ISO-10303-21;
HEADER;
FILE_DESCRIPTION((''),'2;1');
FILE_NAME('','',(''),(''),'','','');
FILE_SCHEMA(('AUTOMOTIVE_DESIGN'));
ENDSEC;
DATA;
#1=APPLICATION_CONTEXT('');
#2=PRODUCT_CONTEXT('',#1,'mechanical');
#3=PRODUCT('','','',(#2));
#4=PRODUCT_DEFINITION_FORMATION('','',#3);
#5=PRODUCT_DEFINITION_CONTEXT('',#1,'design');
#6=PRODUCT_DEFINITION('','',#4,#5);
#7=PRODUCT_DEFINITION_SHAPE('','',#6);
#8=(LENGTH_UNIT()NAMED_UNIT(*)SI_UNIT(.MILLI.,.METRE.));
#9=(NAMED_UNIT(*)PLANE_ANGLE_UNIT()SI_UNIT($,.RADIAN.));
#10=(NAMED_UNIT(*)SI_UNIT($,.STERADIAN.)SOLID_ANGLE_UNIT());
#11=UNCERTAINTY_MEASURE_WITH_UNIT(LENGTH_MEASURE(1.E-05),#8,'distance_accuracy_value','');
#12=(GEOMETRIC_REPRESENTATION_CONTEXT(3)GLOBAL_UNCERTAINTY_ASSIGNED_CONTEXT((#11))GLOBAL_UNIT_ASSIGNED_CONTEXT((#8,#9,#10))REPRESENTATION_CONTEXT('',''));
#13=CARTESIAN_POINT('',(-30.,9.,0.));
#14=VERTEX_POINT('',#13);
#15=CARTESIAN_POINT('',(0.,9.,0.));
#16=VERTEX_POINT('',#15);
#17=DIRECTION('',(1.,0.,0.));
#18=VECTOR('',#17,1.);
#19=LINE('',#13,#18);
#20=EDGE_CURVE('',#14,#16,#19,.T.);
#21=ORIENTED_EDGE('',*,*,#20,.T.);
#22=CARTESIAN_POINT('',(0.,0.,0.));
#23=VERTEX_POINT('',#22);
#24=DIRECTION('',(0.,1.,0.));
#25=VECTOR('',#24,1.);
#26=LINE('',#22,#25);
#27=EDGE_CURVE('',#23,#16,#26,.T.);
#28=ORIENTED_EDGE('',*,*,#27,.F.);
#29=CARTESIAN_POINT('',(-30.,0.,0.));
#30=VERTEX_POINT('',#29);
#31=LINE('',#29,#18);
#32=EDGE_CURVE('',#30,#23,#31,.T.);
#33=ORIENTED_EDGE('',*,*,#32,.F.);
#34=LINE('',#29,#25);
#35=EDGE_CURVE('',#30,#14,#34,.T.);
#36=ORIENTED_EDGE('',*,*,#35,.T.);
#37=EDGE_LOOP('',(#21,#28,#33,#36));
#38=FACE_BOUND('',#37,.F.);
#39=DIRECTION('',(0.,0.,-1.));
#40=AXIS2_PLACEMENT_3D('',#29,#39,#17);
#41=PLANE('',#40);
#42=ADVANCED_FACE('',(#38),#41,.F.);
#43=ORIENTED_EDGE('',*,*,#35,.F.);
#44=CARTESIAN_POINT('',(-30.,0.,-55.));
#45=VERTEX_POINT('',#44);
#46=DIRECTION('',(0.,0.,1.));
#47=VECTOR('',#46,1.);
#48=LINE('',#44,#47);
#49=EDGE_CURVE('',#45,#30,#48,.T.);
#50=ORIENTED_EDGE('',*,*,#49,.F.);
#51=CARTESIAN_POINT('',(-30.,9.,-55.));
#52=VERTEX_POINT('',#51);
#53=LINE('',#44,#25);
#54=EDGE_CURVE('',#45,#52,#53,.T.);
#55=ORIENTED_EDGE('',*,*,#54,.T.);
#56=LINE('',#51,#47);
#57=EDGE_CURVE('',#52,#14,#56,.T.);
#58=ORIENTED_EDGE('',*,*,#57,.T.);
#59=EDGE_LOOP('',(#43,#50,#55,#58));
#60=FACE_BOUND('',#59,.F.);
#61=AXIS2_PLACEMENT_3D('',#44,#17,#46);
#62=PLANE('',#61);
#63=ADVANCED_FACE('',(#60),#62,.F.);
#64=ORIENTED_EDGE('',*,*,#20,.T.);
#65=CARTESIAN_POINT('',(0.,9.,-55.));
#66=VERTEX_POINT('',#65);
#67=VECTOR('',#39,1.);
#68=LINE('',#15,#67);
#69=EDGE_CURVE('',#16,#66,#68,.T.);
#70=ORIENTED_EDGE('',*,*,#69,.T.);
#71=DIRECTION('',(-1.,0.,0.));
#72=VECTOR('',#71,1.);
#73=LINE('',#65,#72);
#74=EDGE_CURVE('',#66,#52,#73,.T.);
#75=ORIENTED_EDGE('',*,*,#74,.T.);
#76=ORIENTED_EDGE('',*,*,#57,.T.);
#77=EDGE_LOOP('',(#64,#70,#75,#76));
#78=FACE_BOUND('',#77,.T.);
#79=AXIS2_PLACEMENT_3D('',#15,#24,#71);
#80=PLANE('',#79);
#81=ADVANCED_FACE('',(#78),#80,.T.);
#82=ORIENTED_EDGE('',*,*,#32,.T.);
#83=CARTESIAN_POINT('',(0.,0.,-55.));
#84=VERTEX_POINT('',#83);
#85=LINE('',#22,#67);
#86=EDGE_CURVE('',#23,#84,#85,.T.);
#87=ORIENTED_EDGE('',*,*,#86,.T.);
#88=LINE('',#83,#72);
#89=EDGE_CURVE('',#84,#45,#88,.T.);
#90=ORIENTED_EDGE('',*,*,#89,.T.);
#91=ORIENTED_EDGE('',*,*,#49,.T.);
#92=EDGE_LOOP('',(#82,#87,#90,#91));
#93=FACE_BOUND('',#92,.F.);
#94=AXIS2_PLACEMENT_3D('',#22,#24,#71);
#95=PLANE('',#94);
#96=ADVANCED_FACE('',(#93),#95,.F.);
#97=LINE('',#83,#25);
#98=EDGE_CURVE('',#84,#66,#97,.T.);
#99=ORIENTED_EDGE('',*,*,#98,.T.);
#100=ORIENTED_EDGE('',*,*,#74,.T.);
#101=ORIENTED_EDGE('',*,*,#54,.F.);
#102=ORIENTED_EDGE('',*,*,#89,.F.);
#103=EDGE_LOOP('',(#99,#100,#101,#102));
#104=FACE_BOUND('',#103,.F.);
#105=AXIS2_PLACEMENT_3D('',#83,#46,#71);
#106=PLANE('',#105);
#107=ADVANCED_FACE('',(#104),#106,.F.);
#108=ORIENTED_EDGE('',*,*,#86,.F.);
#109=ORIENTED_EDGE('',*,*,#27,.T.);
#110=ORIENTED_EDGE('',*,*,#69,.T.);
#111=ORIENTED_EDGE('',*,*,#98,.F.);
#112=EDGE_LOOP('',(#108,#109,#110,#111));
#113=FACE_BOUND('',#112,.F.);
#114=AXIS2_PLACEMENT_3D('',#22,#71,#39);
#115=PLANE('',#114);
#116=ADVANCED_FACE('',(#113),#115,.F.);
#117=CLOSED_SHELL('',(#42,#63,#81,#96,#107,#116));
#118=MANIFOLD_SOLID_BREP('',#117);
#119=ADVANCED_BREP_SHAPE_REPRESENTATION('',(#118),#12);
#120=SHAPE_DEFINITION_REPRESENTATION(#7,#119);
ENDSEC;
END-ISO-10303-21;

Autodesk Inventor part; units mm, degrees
ref_plane "YZ Plane" through (0, 0, 0) normal (1, 0, 0) x (0, 1, 0)
ref_plane "XZ Plane" through (0, 0, 0) normal (0, 1, 0) x (-1, 0, 0)
ref_plane "XY Plane" through (0, 0, 0) normal (0, 0, 1) x (1, 0, 0)
sketch "Szkic1" plane through (0, 0, 0) normal (0, 1, 0) x (-1, 0, 0)
  line L0 (0, 0) -> (0, -55)
  line L1 (0, -55) -> (30, -55)
  line L2 (30, -55) -> (30, 0)
  line L3 (30, 0) -> (0, 0)
  dimension "d0" = 55
  dimension "d1" = 30
  dimension "d2" = 55
extrude "Wyciągnięcie proste1" add sketch "Szkic1" along normal blind 9
properties part number "li-pol"
